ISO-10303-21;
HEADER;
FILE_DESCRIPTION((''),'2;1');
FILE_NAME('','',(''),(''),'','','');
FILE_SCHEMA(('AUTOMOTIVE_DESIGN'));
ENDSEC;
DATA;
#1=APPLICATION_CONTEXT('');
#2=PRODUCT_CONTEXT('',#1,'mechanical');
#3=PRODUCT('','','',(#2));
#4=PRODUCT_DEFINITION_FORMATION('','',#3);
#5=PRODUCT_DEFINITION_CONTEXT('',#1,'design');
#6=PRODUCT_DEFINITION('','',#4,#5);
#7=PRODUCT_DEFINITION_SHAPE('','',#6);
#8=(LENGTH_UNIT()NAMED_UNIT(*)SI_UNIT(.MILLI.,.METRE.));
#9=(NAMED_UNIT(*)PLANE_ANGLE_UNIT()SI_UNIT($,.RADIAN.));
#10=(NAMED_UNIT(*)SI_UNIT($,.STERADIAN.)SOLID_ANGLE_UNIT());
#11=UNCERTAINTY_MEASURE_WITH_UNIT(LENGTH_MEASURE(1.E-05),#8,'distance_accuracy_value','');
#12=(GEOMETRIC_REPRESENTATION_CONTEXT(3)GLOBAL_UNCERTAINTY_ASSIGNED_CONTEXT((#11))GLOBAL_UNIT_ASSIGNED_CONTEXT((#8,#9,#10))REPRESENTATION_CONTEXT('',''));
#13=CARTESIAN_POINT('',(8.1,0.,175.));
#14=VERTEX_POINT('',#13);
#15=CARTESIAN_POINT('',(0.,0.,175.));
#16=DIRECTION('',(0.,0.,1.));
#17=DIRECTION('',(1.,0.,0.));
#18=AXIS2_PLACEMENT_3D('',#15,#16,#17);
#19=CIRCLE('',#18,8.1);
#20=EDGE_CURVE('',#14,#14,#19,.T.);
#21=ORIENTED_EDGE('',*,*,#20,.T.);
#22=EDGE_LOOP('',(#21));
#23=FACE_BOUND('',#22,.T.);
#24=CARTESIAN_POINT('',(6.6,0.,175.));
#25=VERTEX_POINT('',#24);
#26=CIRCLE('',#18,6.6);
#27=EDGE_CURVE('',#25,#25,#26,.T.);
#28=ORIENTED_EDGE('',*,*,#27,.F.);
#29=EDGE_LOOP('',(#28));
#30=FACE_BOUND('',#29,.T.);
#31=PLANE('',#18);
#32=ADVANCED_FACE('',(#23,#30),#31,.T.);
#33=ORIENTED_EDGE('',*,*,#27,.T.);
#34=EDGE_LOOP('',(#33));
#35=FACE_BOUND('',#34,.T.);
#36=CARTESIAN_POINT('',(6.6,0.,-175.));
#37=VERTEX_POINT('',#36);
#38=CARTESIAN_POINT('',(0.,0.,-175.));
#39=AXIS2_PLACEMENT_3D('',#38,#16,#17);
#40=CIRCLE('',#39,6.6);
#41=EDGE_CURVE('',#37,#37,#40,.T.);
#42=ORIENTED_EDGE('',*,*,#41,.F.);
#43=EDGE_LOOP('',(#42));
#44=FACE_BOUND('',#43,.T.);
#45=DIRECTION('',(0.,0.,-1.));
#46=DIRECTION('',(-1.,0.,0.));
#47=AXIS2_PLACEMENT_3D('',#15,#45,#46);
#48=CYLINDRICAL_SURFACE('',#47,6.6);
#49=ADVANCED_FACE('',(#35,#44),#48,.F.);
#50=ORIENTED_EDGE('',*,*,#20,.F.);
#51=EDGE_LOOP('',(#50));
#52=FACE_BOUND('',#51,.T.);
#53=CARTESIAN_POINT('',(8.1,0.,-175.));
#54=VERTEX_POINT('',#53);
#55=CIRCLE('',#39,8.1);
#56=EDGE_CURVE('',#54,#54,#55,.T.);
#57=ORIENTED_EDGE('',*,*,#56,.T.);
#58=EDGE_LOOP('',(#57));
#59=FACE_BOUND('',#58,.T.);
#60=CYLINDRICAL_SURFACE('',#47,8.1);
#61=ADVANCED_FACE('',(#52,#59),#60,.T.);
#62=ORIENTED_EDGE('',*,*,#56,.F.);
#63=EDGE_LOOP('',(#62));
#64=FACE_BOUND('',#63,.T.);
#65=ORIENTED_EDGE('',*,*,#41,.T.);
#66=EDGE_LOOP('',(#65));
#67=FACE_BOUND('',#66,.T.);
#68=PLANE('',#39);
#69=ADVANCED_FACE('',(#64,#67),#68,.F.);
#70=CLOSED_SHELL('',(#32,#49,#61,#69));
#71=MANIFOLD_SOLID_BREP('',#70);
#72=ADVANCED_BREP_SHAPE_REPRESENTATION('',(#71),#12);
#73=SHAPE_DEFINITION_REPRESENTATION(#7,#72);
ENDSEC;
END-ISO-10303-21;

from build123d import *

# Parameters (mm, degrees)
CROQUIS1_R              = 8.1
CROQUIS1_R_2            = 6.6
SALIENTE_EXTRUIR1_DEPTH = 175


with BuildPart() as part:
    # Croquis1 → Saliente-Extruir1 (new, symmetric)
    with BuildSketch(Plane.XY):
        Circle(CROQUIS1_R)
        Circle(CROQUIS1_R_2, mode=Mode.SUBTRACT)
    extrude(amount=SALIENTE_EXTRUIR1_DEPTH, both=True)


solid = part.part
